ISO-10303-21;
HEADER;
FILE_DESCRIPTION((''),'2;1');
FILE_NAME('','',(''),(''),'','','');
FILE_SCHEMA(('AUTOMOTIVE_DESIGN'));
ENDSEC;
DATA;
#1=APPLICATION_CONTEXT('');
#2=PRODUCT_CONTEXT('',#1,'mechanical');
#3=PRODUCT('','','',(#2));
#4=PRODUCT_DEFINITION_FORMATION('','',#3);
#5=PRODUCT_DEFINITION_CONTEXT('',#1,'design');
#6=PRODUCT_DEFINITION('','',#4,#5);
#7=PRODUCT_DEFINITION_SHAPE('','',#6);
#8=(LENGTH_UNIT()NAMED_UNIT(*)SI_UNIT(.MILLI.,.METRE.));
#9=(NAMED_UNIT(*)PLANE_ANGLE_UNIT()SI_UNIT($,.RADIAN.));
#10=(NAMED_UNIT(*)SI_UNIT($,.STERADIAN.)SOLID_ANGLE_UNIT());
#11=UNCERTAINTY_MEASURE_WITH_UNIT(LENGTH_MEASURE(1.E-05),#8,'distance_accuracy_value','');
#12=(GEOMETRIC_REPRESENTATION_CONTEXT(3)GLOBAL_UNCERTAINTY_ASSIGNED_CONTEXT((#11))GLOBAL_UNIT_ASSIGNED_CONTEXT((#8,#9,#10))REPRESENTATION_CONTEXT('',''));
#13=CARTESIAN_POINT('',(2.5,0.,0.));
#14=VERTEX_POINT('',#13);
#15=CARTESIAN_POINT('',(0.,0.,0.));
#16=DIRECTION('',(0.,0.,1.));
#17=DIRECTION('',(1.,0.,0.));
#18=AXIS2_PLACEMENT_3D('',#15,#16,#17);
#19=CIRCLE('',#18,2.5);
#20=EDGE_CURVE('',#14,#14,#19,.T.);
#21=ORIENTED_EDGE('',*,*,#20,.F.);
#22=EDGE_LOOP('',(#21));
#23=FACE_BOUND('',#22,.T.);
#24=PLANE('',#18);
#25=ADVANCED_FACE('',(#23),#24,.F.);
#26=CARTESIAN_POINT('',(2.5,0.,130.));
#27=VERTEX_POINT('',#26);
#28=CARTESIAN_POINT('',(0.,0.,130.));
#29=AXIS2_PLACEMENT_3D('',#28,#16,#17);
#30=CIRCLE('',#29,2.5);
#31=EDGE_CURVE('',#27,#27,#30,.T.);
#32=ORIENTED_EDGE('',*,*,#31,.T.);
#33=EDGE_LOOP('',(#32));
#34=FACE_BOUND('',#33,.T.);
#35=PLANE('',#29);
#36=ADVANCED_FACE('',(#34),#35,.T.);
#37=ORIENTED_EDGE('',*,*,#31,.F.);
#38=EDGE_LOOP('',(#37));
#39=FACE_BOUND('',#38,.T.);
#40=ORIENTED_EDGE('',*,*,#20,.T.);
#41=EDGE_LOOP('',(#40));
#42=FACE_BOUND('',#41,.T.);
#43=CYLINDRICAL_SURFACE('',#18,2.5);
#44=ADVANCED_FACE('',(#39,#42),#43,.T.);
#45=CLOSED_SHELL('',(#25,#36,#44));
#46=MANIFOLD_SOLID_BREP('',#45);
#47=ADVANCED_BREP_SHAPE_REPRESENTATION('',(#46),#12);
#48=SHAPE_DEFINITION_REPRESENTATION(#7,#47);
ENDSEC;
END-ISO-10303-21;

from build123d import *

# Parameters (mm, degrees)
SKETCH_7_R = 2.5


with BuildPart() as part:
    # 扫描3: sweep along a curve in space
    with BuildLine() as sweep_3_path:
        add(Edge.make_bspline(
            [(0, 0, 0), (0, 0, 130)],
            knots=[0, 0, 1, 1], degree=1))
    # 草图7 → 扫描3 (sweep)
    with BuildSketch(Plane.XY):
        Circle(SKETCH_7_R)
    sweep(path=sweep_3_path.line)


solid = part.part
